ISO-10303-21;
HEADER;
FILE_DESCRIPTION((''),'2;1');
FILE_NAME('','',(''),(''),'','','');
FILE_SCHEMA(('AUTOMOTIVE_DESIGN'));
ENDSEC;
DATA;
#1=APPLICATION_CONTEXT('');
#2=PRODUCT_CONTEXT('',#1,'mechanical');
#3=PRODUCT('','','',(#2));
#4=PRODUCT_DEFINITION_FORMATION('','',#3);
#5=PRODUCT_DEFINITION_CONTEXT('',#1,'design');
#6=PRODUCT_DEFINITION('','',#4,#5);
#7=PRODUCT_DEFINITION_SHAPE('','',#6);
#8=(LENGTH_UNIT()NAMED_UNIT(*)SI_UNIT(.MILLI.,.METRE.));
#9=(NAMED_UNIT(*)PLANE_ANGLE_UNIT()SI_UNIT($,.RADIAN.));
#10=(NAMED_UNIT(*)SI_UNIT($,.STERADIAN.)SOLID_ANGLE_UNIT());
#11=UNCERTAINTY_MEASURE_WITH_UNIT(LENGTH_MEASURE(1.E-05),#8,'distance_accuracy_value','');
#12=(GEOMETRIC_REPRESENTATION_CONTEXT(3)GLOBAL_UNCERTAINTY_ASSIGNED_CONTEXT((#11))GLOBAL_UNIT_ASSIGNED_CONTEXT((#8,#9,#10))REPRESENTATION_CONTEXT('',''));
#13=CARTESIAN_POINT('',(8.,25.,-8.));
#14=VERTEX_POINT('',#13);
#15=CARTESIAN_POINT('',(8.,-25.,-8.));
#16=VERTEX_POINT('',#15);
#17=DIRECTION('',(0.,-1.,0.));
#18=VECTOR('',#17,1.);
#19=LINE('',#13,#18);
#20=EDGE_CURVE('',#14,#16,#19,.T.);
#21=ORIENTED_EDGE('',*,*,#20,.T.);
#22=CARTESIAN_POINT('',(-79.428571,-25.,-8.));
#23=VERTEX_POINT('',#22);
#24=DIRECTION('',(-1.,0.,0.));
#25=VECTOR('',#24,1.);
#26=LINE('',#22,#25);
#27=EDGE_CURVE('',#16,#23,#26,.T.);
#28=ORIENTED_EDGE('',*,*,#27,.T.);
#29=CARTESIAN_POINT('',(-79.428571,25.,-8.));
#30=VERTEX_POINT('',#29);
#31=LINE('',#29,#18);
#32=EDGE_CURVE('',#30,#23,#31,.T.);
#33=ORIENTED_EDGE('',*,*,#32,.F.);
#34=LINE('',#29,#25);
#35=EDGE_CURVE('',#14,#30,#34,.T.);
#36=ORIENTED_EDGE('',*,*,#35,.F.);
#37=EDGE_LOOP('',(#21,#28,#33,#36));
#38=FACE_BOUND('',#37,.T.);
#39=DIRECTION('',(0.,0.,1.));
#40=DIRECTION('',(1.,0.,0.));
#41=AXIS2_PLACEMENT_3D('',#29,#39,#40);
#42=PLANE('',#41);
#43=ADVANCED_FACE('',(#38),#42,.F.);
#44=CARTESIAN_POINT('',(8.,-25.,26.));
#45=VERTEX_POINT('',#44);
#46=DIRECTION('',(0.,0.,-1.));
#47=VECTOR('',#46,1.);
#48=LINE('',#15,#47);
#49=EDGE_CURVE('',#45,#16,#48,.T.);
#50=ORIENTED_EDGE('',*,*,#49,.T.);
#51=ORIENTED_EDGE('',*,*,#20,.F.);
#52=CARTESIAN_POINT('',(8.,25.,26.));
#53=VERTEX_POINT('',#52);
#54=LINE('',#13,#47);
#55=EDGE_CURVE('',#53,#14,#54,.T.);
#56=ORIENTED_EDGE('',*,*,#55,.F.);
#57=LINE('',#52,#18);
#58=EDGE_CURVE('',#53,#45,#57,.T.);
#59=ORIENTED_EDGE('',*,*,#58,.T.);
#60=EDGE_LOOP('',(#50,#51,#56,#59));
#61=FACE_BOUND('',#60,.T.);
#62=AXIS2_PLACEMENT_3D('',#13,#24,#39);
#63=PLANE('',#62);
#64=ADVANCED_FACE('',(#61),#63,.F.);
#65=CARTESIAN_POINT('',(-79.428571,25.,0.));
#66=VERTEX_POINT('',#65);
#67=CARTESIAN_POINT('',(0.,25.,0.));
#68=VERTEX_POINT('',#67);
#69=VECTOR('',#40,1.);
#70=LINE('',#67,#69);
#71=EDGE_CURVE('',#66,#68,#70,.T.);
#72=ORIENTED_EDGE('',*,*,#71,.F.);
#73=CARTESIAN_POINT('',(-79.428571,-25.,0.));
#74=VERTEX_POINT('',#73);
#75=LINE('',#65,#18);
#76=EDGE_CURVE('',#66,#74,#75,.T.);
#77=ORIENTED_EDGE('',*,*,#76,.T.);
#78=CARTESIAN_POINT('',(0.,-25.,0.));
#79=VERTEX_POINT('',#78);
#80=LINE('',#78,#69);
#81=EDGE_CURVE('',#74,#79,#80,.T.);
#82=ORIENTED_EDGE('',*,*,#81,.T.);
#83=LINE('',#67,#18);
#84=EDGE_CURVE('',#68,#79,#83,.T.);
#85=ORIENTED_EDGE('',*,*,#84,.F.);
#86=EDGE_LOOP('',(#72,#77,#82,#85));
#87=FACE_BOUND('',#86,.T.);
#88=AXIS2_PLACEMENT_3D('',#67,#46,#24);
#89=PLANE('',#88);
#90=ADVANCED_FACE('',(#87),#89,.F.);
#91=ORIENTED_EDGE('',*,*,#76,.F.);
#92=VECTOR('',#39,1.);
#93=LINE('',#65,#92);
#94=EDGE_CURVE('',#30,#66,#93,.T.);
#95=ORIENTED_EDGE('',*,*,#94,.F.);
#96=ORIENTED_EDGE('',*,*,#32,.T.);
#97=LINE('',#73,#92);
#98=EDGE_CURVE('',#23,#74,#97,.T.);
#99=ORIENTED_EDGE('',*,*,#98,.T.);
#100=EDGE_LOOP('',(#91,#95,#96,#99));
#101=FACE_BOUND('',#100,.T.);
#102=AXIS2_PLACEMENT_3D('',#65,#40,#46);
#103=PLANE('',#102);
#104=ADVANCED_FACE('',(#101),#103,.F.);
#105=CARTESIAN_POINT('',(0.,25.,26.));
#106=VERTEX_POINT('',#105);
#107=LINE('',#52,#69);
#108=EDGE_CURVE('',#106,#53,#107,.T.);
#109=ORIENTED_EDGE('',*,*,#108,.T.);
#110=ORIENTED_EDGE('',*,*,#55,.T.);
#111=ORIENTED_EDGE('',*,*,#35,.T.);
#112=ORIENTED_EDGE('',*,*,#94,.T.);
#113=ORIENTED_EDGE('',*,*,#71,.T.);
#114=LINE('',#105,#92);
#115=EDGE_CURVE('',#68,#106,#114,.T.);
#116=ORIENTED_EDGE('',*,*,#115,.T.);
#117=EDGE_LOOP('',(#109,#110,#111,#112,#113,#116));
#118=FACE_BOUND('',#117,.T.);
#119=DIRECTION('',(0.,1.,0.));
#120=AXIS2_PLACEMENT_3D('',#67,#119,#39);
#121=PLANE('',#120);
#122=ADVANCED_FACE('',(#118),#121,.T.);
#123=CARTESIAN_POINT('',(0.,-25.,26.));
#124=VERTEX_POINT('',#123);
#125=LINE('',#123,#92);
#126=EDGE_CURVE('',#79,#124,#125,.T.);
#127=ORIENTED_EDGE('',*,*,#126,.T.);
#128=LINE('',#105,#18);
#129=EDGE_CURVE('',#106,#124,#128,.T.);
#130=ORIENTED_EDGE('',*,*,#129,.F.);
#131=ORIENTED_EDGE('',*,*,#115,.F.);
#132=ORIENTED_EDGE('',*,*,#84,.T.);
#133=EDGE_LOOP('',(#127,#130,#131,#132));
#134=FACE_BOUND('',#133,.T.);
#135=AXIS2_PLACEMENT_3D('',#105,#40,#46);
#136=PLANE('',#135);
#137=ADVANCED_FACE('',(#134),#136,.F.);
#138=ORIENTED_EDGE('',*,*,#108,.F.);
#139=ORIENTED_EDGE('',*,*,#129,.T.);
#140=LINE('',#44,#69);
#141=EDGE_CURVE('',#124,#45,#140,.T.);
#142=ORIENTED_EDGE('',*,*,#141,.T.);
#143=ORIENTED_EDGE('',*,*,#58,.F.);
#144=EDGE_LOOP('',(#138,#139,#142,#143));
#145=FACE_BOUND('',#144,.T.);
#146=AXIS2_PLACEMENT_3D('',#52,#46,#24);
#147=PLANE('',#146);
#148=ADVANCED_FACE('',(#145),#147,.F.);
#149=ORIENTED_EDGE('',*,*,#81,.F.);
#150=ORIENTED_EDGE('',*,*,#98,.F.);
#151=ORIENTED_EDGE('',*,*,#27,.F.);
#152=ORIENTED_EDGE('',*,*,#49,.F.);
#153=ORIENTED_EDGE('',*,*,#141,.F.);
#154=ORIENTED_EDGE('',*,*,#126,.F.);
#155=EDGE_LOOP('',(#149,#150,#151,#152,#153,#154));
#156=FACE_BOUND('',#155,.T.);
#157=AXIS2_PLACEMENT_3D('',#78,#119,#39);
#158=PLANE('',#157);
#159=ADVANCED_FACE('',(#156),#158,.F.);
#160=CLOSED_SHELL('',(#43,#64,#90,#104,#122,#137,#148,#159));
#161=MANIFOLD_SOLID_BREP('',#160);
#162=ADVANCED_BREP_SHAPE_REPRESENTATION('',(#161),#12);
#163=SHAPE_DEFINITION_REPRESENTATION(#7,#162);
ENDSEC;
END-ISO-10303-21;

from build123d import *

# Parameters (mm, degrees)
BOSS_EXTRUDE1_DEPTH = 25


with BuildPart() as part:
    # Sketch1 → Boss-Extrude1 (new body, symmetric)
    with BuildSketch(Plane(origin=(0, 0, 0), x_dir=(1, 0, 0), z_dir=(0, 1, 0))):
        Polygon((0, 0), (-79.428571429, 0), (-79.428571429, 8), (8, 8), (8, -26), (0, -26), align=None)
    extrude(amount=BOSS_EXTRUDE1_DEPTH, both=True)


solid = part.part
